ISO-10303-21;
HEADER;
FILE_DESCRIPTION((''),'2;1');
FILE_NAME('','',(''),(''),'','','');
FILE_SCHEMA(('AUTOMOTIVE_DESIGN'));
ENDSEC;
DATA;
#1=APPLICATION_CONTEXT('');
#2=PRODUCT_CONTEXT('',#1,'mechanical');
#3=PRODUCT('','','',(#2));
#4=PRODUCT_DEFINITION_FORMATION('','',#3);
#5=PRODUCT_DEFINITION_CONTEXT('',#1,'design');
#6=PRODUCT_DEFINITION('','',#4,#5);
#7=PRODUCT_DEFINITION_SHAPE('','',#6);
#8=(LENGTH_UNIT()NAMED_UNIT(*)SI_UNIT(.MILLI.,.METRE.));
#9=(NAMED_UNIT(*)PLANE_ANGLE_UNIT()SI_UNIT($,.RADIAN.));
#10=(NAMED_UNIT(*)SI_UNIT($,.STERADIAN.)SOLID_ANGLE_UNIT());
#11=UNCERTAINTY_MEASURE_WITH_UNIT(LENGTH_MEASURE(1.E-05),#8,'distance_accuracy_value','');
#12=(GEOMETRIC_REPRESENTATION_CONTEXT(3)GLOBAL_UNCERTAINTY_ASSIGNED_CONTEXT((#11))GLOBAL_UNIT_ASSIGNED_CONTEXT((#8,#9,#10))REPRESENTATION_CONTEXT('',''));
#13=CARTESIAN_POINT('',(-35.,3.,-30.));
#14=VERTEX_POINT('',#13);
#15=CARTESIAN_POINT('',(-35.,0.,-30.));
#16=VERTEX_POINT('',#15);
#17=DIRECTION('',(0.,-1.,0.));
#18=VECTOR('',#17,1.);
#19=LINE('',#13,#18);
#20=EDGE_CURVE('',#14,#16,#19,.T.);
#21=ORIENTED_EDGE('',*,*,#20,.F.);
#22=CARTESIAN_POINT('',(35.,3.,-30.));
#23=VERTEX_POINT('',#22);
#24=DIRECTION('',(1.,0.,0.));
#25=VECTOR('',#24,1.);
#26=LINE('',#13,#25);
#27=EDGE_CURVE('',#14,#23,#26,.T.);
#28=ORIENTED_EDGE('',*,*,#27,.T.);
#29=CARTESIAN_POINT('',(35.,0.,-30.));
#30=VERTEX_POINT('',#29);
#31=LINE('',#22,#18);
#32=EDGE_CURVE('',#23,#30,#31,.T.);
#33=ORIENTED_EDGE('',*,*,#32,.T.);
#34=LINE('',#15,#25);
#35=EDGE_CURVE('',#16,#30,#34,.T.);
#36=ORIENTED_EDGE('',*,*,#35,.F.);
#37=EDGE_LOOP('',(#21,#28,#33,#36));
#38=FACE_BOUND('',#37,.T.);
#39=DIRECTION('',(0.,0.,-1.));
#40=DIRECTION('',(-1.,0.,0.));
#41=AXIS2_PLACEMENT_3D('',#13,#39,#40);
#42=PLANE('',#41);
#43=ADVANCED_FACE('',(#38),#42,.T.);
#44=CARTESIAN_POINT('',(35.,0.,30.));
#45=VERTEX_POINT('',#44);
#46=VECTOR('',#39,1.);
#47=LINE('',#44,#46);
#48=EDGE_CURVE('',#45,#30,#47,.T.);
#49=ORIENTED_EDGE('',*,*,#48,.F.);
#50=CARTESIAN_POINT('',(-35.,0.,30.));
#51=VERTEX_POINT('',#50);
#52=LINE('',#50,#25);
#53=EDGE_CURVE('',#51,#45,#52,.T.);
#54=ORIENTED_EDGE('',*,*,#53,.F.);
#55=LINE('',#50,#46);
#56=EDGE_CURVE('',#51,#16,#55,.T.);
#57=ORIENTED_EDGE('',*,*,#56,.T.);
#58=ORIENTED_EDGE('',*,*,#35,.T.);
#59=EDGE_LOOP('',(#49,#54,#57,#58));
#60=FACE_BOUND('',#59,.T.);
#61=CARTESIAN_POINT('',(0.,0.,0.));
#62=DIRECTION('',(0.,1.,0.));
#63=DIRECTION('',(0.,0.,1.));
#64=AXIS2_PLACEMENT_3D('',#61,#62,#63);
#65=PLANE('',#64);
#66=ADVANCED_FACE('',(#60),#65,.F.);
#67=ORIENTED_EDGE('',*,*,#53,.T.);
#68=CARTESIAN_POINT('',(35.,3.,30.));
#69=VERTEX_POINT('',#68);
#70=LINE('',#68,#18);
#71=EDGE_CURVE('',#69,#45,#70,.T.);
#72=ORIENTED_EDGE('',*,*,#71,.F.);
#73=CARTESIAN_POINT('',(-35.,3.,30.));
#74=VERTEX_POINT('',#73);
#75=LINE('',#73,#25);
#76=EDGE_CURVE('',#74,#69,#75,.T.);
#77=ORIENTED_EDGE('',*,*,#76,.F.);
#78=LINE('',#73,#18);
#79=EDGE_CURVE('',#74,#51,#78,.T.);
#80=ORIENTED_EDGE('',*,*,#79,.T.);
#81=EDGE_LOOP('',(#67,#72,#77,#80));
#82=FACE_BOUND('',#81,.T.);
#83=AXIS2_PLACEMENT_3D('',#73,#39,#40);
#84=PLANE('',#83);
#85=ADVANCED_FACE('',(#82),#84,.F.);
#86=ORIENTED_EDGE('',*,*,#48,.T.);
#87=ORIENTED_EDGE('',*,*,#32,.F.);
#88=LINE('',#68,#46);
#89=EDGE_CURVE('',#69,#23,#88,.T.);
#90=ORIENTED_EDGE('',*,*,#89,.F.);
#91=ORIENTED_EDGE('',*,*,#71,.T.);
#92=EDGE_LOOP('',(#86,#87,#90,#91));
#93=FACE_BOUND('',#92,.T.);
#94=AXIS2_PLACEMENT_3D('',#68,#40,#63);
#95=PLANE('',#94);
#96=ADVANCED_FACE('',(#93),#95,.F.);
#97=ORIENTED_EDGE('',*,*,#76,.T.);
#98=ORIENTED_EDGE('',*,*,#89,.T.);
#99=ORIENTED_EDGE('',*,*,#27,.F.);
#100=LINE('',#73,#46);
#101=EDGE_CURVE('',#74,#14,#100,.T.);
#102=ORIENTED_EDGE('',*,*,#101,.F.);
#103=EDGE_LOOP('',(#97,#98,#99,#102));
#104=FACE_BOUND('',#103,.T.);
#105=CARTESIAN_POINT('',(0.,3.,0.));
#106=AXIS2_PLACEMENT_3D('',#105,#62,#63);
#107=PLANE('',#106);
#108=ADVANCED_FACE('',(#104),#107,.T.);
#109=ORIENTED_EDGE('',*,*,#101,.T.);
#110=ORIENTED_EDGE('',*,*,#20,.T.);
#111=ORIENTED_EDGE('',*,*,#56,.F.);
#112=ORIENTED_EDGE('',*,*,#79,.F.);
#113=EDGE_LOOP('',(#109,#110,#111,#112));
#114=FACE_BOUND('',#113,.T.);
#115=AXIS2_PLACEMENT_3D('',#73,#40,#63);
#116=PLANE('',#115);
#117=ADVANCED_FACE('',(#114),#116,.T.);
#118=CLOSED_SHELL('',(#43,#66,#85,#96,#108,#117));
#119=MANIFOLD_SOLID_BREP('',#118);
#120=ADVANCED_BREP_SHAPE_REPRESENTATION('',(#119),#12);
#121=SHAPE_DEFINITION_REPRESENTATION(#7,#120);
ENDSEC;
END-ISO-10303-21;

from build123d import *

# Parameters (mm, degrees)
ESQUISSE1_W        = 70
ESQUISSE1_H        = 60
BOSS_EXTRU_1_DEPTH = 3


with BuildPart() as part:
    # Esquisse1 → Boss.-Extru.1 (new body)
    with BuildSketch(Plane(origin=(0, 0, 0), x_dir=(1, 0, 0), z_dir=(0, 1, 0))):
        Rectangle(ESQUISSE1_W, ESQUISSE1_H)
    extrude(amount=BOSS_EXTRU_1_DEPTH)


solid = part.part
